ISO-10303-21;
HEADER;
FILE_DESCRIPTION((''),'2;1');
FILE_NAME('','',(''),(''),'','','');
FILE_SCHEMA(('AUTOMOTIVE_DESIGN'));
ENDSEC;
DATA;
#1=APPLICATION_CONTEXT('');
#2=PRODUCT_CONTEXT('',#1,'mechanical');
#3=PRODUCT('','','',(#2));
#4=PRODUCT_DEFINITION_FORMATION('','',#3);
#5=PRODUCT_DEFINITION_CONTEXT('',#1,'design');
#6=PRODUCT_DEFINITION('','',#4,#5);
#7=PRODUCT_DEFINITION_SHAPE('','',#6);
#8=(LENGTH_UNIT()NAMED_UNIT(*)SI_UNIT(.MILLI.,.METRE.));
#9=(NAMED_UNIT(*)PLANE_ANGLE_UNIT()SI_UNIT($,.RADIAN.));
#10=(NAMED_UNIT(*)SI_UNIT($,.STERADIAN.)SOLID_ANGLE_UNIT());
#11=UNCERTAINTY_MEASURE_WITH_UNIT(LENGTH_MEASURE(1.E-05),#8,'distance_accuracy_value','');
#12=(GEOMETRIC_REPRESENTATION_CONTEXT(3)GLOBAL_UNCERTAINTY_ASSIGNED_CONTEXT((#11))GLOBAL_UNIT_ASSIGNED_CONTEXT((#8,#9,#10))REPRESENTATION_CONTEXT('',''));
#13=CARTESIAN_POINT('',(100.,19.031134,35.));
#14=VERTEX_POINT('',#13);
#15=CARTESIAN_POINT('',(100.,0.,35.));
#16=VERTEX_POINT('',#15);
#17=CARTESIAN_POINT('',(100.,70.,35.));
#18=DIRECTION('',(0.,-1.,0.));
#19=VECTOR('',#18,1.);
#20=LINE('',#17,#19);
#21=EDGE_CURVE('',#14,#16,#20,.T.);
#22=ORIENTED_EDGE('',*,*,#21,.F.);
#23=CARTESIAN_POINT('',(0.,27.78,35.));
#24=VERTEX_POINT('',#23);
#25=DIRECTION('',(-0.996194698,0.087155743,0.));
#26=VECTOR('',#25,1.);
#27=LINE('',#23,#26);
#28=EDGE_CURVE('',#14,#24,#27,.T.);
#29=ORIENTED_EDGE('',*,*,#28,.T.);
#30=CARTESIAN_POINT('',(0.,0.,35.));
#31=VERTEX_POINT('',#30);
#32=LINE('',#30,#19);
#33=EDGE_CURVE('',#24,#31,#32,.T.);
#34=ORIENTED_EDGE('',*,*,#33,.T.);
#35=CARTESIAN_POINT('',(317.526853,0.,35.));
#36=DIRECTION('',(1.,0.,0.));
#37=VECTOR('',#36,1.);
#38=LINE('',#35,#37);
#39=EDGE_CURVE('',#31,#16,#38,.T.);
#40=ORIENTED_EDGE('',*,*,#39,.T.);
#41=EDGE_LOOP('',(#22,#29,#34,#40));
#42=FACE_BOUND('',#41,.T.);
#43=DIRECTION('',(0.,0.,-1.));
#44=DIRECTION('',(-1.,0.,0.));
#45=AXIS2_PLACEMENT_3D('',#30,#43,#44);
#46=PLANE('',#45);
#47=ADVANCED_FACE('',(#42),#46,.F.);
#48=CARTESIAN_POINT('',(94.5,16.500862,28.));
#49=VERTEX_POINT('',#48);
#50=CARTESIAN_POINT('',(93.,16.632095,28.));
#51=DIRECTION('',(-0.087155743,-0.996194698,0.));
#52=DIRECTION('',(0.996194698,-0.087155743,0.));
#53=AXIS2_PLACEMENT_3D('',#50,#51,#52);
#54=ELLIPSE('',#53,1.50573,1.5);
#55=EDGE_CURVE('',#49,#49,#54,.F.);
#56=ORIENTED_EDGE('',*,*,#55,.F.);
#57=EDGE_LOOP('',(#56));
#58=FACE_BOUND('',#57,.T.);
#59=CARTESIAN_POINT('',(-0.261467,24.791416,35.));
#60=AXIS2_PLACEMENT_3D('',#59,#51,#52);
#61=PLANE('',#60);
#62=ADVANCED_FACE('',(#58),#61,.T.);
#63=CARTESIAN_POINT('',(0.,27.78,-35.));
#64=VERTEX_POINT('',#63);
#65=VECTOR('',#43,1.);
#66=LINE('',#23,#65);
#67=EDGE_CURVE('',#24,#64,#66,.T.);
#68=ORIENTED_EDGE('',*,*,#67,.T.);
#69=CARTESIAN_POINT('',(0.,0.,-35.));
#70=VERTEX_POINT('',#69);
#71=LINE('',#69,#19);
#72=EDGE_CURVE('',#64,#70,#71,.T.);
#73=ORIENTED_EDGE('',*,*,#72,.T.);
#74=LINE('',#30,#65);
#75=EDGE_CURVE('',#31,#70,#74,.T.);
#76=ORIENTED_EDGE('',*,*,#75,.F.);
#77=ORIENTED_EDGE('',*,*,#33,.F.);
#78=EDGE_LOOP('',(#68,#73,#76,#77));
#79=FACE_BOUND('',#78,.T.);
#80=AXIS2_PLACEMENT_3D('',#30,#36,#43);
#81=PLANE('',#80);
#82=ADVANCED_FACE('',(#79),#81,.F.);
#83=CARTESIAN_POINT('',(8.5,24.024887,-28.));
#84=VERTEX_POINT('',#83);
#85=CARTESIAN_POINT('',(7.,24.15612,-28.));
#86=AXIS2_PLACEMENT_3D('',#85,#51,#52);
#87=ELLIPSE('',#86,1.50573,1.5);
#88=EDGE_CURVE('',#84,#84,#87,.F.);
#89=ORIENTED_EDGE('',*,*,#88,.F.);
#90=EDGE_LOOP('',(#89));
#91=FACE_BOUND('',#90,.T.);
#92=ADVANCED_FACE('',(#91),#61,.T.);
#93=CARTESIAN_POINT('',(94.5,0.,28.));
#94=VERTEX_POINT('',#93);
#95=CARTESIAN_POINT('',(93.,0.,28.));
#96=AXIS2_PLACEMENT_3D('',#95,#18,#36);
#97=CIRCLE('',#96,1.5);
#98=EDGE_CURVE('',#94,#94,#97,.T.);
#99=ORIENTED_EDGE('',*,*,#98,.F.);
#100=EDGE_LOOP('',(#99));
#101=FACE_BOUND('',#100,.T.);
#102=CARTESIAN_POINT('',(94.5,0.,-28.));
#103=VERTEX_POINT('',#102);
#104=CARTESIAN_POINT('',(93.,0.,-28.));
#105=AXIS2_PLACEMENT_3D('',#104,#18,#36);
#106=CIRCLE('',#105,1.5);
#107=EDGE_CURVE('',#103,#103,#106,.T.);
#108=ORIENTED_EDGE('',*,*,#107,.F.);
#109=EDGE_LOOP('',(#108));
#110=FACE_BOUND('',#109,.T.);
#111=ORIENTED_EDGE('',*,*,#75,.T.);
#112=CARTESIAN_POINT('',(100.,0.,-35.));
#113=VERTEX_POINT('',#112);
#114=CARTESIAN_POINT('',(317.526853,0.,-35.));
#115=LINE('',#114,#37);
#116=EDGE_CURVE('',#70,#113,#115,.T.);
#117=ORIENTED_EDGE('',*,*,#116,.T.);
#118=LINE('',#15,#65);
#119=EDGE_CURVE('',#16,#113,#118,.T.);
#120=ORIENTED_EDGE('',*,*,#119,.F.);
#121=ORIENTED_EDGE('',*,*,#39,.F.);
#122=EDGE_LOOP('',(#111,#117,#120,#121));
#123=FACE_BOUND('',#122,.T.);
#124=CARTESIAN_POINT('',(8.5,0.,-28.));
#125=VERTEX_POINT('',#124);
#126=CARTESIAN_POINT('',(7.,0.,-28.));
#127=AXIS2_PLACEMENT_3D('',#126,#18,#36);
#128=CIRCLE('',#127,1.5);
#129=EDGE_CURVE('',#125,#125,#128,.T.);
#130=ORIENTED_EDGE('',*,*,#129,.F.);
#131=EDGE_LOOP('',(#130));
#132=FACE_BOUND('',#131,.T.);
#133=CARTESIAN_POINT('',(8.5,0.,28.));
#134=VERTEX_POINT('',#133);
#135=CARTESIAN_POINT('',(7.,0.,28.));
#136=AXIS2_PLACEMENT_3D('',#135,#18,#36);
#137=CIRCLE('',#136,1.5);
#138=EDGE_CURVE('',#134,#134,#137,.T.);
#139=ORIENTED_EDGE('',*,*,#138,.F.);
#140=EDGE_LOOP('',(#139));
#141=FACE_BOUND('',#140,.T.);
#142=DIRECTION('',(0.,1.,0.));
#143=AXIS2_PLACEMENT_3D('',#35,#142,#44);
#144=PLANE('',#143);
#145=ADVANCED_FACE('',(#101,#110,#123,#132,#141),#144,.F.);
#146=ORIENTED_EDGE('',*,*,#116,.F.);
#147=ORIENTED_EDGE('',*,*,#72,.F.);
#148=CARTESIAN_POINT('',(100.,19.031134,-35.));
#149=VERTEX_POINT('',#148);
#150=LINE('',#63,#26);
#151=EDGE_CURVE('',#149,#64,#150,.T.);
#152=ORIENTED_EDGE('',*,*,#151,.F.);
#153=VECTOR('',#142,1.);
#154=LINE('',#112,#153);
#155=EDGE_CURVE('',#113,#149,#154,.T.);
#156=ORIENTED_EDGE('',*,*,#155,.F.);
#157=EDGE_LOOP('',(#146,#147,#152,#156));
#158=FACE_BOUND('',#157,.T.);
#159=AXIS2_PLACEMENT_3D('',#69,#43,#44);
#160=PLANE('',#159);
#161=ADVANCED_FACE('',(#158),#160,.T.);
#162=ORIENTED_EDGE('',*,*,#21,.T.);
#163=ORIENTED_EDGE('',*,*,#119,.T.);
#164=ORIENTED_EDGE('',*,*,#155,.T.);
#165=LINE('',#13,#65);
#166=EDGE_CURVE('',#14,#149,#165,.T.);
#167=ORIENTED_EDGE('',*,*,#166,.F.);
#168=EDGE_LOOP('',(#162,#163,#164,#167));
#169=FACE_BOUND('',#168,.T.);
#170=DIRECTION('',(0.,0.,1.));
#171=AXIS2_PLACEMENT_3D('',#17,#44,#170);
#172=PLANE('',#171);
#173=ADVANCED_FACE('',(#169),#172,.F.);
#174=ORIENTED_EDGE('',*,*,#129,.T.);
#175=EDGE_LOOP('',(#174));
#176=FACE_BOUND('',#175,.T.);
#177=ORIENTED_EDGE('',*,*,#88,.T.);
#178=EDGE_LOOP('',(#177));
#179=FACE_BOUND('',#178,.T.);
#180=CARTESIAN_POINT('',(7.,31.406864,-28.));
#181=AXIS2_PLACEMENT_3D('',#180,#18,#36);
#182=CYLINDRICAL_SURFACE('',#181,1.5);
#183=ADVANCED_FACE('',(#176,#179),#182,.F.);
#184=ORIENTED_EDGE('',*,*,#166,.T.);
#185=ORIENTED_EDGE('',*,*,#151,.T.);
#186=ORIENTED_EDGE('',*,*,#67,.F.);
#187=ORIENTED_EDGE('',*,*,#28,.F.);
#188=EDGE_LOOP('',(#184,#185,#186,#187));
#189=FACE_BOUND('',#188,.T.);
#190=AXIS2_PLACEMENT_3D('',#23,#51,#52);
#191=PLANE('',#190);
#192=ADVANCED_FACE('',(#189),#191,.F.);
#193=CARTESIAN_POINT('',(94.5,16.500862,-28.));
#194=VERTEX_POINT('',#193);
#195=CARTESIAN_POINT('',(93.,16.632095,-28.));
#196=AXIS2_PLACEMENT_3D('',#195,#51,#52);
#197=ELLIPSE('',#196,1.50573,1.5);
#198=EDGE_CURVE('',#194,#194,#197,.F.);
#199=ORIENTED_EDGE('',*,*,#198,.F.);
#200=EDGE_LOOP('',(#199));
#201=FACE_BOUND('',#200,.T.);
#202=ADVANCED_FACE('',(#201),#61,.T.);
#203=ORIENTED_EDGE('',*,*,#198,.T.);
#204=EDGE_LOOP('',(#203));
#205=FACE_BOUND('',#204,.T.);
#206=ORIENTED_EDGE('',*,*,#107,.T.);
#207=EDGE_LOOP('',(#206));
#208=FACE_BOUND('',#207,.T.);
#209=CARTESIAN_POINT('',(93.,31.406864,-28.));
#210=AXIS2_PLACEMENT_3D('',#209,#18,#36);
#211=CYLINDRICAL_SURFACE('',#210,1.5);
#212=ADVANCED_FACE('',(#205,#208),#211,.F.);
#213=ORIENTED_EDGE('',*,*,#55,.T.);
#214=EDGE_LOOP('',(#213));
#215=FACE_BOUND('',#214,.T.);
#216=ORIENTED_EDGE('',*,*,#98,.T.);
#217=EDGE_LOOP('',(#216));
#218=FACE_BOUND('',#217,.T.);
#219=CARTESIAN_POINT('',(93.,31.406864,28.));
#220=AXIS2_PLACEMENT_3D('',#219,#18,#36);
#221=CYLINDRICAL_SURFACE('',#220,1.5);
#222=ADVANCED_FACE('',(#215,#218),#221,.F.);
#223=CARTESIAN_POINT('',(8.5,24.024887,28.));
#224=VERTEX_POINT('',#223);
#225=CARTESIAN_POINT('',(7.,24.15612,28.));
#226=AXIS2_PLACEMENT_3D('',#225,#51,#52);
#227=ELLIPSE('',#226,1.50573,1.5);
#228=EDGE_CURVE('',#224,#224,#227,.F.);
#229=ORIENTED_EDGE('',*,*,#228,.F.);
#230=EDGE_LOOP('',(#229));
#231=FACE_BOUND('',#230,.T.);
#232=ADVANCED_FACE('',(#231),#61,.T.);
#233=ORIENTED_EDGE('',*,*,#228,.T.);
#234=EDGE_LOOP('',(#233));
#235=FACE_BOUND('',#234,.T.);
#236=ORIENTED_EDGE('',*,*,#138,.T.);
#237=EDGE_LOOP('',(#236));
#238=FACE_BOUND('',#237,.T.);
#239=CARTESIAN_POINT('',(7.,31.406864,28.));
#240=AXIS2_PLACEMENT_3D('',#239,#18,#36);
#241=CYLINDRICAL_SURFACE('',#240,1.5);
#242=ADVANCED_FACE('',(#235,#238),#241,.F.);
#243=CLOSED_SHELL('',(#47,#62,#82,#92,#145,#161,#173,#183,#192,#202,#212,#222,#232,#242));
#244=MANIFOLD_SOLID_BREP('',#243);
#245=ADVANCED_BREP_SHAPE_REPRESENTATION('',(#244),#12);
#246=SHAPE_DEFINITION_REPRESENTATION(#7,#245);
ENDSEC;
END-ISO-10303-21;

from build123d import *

# Parameters (mm, degrees)
BOSS_EXTRUDE1_DEPTH = 35
SKETCH2_W           = 217.526852971
SKETCH2_H           = 70
CUT_EXTRUDE1_DEPTH  = 70
CUT_EXTRUDE2_REACH  = 111.53
SKETCH3_R           = 1.5


with BuildPart() as part:
    # Sketch1 → Boss-Extrude1 (new, symmetric)
    with BuildSketch(Plane.XY):
        Polygon((0, 0), (0, 27.78), (317.526852971, 0), align=None)
    extrude(amount=BOSS_EXTRUDE1_DEPTH, both=True)

    # Sketch2 → Cut-Extrude1 (cut)
    with BuildSketch(Plane.XZ):
        with Locations((208.763426486, 0)):
            Rectangle(SKETCH2_W, SKETCH2_H)
    extrude(amount=-CUT_EXTRUDE1_DEPTH, mode=Mode.SUBTRACT)

    # Cut-Extrude2: up to this plane
    cut_extrude2_end = Plane(origin=(-0.261467228, 24.791415906, 35), z_dir=(-0.08715574274765117, -0.9961946980917462, 0))
    # Sketch3 → Cut-Extrude2 (cut, up to the surface)
    with BuildSketch(Plane.XZ, mode=Mode.PRIVATE) as cut_extrude2_sk1:
        with Locations((7, 28)):
            Circle(SKETCH3_R)
    cut_extrude2_tool1 = split(extrude(cut_extrude2_sk1.sketch, amount=-CUT_EXTRUDE2_REACH, mode=Mode.PRIVATE), bisect_by=cut_extrude2_end, keep=Keep.BOTH, mode=Mode.PRIVATE)
    add(cut_extrude2_tool1.solids().sort_by_distance((7, 0, 28))[0], mode=Mode.SUBTRACT)
    # Sketch3 → Cut-Extrude2 (cut, up to the surface)
    with BuildSketch(Plane.XZ, mode=Mode.PRIVATE) as cut_extrude2_sk2:
        with Locations((93, 28)):
            Circle(SKETCH3_R)
    cut_extrude2_tool2 = split(extrude(cut_extrude2_sk2.sketch, amount=-CUT_EXTRUDE2_REACH, mode=Mode.PRIVATE), bisect_by=cut_extrude2_end, keep=Keep.BOTH, mode=Mode.PRIVATE)
    add(cut_extrude2_tool2.solids().sort_by_distance((93, 0, 28))[0], mode=Mode.SUBTRACT)
    # Sketch3 → Cut-Extrude2 (cut, up to the surface)
    with BuildSketch(Plane.XZ, mode=Mode.PRIVATE) as cut_extrude2_sk3:
        with Locations((7, -28)):
            Circle(SKETCH3_R)
    cut_extrude2_tool3 = split(extrude(cut_extrude2_sk3.sketch, amount=-CUT_EXTRUDE2_REACH, mode=Mode.PRIVATE), bisect_by=cut_extrude2_end, keep=Keep.BOTH, mode=Mode.PRIVATE)
    add(cut_extrude2_tool3.solids().sort_by_distance((7, 0, -28))[0], mode=Mode.SUBTRACT)
    # Sketch3 → Cut-Extrude2 (cut, up to the surface)
    with BuildSketch(Plane.XZ, mode=Mode.PRIVATE) as cut_extrude2_sk4:
        with Locations((93, -28)):
            Circle(SKETCH3_R)
    cut_extrude2_tool4 = split(extrude(cut_extrude2_sk4.sketch, amount=-CUT_EXTRUDE2_REACH, mode=Mode.PRIVATE), bisect_by=cut_extrude2_end, keep=Keep.BOTH, mode=Mode.PRIVATE)
    add(cut_extrude2_tool4.solids().sort_by_distance((93, 0, -28))[0], mode=Mode.SUBTRACT)


solid = part.part
